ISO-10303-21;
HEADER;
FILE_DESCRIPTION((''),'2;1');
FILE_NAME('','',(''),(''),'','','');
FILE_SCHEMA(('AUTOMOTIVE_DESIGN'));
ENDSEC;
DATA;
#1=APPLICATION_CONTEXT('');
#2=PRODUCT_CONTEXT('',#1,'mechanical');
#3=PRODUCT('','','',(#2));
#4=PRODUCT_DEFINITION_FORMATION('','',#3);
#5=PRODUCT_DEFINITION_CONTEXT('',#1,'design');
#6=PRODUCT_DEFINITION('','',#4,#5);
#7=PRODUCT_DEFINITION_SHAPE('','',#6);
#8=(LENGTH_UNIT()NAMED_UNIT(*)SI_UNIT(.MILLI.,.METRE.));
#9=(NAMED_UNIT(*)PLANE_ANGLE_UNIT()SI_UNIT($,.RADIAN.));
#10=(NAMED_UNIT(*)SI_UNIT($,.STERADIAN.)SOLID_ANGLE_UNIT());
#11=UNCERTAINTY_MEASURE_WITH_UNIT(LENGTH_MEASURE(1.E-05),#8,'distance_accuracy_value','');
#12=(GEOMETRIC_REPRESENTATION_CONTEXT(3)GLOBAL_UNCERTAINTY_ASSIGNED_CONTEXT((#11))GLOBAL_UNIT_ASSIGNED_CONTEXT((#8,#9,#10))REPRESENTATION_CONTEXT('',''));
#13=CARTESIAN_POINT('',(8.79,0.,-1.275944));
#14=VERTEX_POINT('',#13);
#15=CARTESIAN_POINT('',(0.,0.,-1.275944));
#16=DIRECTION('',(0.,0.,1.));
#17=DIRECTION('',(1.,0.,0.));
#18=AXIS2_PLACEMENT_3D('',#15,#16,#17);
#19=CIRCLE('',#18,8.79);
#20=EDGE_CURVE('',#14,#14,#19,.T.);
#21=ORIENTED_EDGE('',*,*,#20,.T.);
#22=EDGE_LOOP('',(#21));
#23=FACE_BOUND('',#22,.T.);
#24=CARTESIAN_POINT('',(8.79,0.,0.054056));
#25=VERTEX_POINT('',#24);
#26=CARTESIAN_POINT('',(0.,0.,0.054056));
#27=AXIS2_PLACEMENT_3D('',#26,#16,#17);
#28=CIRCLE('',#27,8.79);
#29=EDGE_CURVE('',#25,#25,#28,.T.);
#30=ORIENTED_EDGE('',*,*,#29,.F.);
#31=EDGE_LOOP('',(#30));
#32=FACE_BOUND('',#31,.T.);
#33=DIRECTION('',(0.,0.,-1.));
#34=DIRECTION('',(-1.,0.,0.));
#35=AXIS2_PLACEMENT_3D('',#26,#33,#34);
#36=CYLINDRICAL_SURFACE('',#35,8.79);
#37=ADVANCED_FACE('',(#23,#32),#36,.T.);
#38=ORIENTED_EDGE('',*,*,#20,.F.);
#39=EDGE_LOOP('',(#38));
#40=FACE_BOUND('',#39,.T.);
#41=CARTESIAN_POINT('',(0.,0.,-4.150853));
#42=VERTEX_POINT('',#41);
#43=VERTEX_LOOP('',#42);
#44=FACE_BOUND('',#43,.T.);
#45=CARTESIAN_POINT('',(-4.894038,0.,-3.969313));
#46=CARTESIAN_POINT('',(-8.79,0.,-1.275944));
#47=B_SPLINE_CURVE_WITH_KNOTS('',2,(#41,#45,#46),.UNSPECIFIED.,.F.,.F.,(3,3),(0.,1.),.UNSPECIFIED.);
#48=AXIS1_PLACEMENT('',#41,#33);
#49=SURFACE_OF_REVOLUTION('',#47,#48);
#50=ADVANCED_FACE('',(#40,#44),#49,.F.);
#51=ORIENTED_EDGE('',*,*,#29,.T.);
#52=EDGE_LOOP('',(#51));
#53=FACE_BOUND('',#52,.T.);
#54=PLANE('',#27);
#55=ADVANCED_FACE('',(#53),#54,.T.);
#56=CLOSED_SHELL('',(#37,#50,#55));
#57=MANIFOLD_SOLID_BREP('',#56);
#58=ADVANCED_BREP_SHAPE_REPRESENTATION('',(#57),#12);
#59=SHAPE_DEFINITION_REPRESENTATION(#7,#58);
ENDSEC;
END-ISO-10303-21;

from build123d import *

# Parameters (mm, degrees)
SKETCH5_R           = 8.79
BOSS_EXTRUDE3_DEPTH = 1.33


with BuildPart() as part:
    # Sketch4 → Revolve1 (revolve)
    with BuildSketch(Plane(origin=(0, 0, 0), x_dir=(1, 0, 0), z_dir=(0, 1, 0))):
        with BuildLine():
            Line((-8.79, 1.275944095), (0, 1.275944095))
            Line((0, 1.275944095), (0, 4.150852961))
            add(Edge.make_bspline(
                [(-8.79, 1.275944095), (-4.894038476, 3.969312996), (0, 4.150852961)],
                knots=[0, 0, 0, 1, 1, 1], degree=2))
        make_face()
    revolve(axis=Axis((0, 0, -4.150852961), (0, 0, 1)))

    # Sketch5 → Boss-Extrude3 (add)
    with BuildSketch(Plane.XY.offset(-1.275944095)):
        Circle(SKETCH5_R)
    extrude(amount=BOSS_EXTRUDE3_DEPTH)


solid = part.part
